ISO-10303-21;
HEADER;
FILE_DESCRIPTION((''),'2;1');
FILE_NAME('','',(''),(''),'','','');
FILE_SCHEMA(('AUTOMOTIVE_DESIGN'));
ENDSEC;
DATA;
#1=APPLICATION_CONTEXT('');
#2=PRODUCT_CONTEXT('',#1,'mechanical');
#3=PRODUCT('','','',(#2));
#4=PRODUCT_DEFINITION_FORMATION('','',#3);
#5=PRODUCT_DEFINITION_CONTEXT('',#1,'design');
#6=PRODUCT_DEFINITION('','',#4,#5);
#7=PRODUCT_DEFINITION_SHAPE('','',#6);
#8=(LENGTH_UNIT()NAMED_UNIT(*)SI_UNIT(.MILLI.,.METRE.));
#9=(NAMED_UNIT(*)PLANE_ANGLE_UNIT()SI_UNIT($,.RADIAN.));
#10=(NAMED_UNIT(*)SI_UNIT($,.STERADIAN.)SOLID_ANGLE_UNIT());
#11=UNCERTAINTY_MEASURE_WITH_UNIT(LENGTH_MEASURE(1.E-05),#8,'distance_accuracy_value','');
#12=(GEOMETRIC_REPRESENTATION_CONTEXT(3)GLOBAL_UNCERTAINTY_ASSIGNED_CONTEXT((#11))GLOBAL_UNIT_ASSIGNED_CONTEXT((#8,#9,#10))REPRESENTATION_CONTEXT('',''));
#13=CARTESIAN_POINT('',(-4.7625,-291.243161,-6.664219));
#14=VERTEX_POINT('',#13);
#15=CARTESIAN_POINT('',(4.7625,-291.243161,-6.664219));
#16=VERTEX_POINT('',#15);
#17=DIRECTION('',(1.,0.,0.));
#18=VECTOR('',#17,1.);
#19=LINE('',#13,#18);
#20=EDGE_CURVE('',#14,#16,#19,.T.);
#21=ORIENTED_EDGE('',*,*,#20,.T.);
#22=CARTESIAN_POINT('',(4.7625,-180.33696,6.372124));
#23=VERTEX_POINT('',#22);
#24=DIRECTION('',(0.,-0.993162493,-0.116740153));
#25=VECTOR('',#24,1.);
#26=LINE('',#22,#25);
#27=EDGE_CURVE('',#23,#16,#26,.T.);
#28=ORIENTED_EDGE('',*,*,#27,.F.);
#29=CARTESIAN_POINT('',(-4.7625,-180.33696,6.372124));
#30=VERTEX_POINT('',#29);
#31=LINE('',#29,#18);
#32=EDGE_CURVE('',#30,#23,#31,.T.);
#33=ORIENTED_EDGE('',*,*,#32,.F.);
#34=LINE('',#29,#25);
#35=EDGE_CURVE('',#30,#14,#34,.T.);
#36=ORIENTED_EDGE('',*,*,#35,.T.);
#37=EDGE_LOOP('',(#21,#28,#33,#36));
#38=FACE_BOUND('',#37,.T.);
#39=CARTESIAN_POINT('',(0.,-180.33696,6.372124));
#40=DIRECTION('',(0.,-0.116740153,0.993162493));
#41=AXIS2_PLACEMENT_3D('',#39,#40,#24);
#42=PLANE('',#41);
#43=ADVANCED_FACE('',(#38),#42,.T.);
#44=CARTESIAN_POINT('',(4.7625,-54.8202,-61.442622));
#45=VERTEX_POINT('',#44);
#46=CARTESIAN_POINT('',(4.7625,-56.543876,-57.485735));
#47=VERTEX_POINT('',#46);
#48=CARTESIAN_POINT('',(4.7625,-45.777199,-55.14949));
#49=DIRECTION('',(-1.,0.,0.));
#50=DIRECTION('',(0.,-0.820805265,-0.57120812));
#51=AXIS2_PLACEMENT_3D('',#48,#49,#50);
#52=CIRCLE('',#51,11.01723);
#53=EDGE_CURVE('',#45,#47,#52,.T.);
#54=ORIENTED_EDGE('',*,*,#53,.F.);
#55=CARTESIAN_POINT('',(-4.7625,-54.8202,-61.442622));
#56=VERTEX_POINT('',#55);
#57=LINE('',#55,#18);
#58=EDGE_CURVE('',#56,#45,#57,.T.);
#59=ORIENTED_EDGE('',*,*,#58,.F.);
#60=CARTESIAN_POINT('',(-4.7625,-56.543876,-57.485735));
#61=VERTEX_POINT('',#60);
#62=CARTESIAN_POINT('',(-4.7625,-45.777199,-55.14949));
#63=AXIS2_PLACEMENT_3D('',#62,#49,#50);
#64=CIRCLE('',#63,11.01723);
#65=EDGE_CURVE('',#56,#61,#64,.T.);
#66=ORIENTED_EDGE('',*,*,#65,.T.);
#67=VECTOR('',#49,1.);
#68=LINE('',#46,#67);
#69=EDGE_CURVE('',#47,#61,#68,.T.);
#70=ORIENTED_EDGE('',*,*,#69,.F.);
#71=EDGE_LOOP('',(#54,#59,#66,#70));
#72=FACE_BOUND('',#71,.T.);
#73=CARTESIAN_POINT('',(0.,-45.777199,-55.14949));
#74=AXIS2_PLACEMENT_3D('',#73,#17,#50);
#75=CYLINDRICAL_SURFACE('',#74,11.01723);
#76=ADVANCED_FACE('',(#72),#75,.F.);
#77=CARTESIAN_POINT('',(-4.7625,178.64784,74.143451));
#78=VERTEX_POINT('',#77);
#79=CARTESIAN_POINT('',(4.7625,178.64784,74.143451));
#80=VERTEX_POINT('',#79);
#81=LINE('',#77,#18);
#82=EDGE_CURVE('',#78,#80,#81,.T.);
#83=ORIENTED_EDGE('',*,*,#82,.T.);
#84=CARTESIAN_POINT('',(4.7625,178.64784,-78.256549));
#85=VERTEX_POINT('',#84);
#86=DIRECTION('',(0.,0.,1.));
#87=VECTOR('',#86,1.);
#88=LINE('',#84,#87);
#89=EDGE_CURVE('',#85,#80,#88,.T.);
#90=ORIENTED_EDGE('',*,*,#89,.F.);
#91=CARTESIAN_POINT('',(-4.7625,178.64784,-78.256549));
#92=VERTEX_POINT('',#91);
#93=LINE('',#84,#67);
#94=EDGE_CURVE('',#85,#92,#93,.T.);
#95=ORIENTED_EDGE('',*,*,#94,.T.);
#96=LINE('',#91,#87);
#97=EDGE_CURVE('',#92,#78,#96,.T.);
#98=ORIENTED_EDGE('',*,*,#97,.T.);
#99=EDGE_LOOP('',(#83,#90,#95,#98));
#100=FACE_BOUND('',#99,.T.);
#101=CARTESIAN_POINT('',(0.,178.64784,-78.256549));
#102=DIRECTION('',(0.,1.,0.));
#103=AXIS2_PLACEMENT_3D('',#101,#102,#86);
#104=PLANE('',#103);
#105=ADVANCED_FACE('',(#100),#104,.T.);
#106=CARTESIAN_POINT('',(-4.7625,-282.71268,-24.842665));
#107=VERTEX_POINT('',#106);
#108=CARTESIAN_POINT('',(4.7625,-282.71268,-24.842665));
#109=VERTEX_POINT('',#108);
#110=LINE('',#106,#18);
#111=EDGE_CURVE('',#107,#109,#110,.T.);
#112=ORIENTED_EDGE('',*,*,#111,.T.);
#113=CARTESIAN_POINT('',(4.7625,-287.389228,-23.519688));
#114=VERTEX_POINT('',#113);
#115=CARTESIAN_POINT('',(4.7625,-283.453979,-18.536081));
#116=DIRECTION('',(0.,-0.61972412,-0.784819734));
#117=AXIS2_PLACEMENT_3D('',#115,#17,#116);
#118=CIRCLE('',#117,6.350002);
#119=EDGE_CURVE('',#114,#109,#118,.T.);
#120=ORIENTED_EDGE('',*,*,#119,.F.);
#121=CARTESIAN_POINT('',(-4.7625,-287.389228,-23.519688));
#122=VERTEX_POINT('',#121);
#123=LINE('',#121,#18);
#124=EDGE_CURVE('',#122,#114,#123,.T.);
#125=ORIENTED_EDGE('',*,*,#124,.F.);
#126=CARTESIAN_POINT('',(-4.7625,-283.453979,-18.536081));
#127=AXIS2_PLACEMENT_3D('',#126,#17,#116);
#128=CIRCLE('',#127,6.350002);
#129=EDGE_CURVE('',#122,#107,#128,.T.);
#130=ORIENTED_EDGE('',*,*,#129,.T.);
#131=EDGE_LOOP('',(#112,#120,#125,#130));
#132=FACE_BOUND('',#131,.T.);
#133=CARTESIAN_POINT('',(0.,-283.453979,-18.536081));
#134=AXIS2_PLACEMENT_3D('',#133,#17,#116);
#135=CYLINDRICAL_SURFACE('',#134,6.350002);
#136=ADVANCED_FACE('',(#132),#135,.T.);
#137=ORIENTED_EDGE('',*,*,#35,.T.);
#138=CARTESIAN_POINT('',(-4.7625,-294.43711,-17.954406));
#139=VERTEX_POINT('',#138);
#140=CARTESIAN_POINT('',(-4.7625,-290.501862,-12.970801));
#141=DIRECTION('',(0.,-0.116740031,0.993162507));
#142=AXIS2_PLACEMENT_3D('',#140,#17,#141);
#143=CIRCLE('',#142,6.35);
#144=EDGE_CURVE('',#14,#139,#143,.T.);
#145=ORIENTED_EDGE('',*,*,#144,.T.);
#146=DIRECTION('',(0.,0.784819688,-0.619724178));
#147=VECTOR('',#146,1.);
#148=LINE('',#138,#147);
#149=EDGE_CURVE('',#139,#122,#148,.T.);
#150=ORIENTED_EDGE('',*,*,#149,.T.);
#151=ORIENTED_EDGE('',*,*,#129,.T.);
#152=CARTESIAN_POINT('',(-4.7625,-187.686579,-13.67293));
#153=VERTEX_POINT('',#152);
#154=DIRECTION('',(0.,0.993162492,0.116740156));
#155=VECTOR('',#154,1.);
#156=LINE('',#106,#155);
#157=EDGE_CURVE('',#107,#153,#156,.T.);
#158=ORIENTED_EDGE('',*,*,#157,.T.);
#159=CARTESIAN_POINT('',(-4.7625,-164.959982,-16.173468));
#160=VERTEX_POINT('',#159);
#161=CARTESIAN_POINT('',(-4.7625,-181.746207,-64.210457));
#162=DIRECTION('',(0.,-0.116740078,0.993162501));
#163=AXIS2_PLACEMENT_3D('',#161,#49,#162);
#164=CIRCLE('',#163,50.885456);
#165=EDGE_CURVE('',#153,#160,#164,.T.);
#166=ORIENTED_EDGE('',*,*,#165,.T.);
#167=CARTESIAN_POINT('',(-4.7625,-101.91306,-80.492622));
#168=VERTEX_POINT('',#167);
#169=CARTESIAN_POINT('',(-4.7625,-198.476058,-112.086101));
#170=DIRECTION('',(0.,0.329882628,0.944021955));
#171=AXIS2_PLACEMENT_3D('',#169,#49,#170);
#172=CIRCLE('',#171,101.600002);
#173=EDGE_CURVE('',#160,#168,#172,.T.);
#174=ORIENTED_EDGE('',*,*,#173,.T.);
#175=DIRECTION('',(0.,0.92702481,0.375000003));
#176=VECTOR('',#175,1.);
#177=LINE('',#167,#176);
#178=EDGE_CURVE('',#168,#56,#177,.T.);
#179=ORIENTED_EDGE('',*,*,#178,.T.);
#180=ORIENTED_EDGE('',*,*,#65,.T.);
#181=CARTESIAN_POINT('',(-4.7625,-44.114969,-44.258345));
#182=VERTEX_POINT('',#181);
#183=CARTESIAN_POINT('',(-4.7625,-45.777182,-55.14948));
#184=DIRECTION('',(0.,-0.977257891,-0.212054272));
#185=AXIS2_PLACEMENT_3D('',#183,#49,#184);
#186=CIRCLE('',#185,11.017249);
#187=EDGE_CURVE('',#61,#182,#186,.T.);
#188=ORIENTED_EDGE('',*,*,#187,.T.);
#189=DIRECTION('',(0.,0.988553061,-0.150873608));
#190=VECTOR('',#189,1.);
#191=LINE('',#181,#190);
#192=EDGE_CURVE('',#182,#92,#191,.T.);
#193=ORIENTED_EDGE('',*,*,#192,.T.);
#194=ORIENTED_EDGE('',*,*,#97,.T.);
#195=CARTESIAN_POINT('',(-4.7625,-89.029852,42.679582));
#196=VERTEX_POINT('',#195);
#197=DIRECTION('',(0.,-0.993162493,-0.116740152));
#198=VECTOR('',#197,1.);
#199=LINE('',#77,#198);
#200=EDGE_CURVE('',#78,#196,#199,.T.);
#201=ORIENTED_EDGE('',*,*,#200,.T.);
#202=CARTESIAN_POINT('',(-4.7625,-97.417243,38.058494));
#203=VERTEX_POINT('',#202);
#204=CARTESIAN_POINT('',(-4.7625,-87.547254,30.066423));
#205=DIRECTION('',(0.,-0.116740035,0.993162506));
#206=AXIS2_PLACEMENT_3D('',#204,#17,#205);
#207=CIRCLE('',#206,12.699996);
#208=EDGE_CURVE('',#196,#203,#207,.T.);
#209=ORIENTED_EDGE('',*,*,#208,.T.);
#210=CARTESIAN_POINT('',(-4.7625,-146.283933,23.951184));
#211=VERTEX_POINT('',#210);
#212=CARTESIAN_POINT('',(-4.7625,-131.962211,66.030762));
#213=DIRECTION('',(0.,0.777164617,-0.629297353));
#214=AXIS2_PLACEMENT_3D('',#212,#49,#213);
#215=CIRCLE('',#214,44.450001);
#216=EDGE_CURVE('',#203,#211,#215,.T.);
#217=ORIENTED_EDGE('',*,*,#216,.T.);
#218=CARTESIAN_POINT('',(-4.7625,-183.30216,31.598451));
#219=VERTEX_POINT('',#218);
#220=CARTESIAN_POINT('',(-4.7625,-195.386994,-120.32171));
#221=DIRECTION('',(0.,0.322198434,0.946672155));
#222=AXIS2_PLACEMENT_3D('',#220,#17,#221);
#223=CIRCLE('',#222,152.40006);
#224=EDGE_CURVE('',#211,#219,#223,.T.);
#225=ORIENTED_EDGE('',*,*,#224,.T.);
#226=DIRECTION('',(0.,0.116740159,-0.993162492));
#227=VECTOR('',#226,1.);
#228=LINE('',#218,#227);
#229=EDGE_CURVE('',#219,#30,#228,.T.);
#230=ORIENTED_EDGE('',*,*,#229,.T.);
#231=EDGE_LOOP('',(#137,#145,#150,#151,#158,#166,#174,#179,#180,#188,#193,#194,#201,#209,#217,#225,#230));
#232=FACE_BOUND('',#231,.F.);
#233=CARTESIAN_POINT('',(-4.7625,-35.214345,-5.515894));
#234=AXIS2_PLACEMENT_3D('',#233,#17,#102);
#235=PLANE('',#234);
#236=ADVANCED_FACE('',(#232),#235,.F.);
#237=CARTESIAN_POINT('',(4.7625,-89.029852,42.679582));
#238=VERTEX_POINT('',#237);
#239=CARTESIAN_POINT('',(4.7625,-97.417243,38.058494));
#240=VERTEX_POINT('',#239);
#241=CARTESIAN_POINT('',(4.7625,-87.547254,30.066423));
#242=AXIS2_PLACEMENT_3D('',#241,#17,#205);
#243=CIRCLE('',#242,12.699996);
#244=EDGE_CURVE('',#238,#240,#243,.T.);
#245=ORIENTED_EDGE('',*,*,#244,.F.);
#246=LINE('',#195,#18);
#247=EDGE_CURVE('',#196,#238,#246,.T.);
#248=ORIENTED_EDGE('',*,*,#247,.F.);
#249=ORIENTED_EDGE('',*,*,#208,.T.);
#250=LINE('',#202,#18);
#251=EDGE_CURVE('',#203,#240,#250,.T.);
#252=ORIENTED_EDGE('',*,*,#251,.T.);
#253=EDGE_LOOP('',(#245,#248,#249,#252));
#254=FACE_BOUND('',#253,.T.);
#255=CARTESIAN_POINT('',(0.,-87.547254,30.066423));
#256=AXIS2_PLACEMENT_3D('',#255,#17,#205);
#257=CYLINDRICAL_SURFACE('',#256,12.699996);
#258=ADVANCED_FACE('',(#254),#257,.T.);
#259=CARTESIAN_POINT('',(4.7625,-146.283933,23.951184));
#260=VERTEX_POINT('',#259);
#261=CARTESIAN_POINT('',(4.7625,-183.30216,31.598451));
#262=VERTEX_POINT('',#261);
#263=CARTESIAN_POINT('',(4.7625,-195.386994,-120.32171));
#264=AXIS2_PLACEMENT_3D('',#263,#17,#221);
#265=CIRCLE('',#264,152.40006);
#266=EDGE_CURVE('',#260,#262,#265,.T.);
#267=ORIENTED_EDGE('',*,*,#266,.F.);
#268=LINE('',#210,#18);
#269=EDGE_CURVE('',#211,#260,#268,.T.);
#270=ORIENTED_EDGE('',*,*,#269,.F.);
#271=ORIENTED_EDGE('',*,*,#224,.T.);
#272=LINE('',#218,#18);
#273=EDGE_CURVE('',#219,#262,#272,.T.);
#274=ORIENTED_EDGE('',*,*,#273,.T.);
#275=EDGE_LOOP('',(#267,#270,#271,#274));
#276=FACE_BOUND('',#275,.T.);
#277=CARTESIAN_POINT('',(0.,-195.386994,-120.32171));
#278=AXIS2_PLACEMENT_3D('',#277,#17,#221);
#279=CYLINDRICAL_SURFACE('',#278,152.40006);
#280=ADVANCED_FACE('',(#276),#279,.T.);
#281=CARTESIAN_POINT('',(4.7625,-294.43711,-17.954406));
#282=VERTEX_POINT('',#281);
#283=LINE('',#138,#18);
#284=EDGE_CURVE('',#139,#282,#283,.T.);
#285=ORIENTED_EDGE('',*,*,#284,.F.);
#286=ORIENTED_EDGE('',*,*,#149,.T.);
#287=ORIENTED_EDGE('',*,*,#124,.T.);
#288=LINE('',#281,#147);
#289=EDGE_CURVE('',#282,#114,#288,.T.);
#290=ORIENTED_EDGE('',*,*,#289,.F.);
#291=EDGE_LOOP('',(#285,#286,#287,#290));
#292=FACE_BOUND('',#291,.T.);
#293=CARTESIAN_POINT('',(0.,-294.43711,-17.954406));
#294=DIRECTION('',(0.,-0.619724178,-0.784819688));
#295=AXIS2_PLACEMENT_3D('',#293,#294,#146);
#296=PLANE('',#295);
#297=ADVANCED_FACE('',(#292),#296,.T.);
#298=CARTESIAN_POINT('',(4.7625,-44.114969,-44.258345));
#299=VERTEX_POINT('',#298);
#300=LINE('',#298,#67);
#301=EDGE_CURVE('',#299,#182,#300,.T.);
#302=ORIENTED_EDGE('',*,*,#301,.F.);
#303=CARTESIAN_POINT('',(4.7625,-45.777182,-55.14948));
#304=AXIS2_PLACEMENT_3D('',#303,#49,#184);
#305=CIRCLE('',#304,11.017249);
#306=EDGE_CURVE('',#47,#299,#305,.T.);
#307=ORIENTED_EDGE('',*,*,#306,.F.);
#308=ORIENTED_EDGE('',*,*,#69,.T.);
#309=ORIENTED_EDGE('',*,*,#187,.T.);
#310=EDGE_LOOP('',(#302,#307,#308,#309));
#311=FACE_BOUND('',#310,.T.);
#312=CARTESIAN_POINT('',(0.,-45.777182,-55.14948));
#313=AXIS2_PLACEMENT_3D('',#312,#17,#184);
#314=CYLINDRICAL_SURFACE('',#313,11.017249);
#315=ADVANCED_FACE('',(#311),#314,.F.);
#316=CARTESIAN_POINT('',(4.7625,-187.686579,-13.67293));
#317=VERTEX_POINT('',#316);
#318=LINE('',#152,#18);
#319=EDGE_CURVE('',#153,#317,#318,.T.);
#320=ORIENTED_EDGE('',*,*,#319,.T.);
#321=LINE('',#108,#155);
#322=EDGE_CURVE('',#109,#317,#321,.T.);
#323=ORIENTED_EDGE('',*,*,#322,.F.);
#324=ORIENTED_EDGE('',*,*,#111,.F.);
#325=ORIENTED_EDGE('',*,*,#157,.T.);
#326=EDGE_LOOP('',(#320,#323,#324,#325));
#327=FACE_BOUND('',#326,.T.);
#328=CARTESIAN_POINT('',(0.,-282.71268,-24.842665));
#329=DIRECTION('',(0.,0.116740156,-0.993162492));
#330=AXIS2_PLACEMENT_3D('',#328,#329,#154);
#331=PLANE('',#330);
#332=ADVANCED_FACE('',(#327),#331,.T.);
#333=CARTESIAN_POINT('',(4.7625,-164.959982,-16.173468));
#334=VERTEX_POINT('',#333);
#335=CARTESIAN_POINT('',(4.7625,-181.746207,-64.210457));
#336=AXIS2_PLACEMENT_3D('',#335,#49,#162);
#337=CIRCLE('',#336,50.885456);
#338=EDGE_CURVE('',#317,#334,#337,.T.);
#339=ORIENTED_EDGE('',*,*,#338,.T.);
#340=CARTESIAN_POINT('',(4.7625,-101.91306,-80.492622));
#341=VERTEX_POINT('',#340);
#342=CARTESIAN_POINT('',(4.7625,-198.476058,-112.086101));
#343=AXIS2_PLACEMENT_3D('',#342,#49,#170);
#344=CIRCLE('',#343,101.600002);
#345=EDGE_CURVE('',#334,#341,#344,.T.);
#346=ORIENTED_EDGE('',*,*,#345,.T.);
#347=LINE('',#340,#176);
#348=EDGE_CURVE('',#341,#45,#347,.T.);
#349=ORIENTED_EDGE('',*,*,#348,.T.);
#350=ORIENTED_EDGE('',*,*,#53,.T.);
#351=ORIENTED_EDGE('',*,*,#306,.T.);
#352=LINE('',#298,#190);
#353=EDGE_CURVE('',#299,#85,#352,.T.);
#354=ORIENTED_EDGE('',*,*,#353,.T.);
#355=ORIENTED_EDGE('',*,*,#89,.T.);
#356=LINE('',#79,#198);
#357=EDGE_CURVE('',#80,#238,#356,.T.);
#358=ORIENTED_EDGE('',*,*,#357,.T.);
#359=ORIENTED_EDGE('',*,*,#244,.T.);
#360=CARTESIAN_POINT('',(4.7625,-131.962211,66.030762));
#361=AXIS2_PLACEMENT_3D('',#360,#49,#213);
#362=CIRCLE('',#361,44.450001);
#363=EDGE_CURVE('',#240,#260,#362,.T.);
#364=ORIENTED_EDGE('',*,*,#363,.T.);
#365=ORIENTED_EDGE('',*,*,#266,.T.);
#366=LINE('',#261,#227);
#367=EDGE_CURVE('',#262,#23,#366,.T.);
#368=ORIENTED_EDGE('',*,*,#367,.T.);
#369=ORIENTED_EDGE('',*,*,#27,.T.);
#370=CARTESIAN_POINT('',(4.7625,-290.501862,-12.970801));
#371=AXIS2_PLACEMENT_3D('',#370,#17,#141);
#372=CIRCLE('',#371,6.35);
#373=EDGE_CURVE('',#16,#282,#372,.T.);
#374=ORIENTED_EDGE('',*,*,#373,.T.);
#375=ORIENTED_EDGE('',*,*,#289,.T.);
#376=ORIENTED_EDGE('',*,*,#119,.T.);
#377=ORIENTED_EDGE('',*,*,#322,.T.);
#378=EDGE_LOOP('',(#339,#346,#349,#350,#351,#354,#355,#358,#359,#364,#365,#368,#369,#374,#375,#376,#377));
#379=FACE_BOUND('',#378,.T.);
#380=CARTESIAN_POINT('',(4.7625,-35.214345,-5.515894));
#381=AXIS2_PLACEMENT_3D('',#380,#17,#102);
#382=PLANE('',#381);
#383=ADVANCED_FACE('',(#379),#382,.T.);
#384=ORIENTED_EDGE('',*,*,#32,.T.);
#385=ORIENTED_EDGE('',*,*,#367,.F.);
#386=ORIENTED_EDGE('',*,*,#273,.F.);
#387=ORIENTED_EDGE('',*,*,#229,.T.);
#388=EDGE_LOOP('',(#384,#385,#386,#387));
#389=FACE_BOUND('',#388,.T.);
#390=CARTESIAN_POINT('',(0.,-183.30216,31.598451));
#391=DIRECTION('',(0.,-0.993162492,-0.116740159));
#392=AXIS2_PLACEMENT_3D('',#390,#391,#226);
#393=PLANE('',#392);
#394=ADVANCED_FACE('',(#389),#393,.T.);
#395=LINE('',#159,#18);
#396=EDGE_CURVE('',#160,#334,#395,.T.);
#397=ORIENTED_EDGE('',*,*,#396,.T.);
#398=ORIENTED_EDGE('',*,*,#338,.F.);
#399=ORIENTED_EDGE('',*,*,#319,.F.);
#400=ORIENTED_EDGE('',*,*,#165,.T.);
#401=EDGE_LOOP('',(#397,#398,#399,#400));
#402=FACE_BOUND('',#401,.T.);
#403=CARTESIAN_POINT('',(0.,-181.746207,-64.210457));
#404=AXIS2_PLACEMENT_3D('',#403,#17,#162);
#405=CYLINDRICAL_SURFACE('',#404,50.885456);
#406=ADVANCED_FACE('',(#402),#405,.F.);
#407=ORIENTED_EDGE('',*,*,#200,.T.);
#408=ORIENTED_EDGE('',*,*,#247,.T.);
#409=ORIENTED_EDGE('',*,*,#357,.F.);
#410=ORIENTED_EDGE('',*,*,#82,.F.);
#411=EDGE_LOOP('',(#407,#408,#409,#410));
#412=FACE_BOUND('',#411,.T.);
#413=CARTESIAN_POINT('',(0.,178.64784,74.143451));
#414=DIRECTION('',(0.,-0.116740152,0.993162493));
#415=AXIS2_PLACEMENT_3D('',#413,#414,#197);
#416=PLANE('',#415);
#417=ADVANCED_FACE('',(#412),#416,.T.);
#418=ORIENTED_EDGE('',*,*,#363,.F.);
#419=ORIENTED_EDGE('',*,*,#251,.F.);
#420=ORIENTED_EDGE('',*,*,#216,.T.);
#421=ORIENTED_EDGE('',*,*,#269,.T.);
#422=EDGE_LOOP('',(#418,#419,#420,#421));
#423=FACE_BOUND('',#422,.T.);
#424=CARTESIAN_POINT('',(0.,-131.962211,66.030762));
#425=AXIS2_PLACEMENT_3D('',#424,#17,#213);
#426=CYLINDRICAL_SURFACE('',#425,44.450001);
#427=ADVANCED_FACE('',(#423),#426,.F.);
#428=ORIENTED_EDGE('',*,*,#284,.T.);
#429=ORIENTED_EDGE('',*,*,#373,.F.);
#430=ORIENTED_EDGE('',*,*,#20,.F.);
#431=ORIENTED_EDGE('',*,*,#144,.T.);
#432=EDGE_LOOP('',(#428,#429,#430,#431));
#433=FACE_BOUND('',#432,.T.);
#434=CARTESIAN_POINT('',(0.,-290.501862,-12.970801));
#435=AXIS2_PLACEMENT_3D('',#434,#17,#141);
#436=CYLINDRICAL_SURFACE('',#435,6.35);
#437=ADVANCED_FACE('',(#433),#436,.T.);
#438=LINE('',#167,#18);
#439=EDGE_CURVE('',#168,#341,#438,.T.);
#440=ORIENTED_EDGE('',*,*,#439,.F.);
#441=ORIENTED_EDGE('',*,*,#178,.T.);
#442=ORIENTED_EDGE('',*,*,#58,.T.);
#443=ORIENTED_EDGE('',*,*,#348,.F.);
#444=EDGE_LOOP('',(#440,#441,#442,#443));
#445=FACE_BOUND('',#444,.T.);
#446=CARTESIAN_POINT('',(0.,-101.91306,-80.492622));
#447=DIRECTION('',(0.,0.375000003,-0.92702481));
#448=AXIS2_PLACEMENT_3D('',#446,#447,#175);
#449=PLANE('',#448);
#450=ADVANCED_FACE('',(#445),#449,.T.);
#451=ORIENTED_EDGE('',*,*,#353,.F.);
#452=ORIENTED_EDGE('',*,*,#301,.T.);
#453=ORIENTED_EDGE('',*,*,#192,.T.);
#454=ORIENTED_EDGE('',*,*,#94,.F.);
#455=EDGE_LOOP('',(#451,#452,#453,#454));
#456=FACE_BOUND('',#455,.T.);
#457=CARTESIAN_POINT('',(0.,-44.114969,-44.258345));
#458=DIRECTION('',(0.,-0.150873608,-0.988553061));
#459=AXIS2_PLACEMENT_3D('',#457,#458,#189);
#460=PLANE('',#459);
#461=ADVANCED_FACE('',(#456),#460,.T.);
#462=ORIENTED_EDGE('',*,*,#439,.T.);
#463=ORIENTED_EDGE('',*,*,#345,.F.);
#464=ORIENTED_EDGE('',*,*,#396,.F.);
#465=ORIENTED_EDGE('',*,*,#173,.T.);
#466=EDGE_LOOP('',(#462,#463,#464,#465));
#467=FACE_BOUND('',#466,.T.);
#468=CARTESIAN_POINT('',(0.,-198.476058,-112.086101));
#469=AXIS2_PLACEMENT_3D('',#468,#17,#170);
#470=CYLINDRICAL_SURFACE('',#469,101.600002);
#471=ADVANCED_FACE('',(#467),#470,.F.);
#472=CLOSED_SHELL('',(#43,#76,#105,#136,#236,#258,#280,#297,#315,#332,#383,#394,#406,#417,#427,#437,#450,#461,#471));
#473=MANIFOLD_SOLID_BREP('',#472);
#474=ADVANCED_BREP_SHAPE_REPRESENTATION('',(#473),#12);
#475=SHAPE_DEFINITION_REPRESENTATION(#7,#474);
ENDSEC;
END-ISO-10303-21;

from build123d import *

# Parameters (mm, degrees)
F1_DEPTH = 4.7625


with BuildPart() as f1:
    # F0 (on Right) → F1 (new body, symmetric)
    with BuildSketch(Plane.YZ):
        with BuildLine():
            Line((178.64784, -78.256549), (178.64784, 74.143451))
            Line((178.64784, 74.143451), (-89.029852, 42.679582))
            ThreePointArc((-89.029852, 42.679582), (-93.675787, 41.189865), (-97.417243, 38.058494))
            ThreePointArc((-97.417243, 38.058494), (-119.633425, 23.324748), (-146.283933, 23.951184))
            ThreePointArc((-146.283933, 23.951184), (-164.555034, 28.926971), (-183.30216, 31.598451))
            Line((-183.30216, 31.598451), (-180.33696, 6.372124))
            Line((-180.33696, 6.372124), (-291.243161, -6.664219))
            ThreePointArc((-291.243161, -6.664219), (-296.612067, -11.242249), (-294.43711, -17.954406))
            Line((-294.43711, -17.954406), (-287.389228, -23.519688))
            ThreePointArc((-287.389228, -23.519688), (-285.182532, -24.646288), (-282.71268, -24.842665))
            Line((-282.71268, -24.842665), (-187.686579, -13.67293))
            ThreePointArc((-187.686579, -13.67293), (-176.18102, -13.63024), (-164.959982, -16.173468))
            ThreePointArc((-164.959982, -16.173468), (-125.920012, -40.965213), (-101.91306, -80.492622))
            Line((-101.91306, -80.492622), (-54.8202, -61.442622))
            ThreePointArc((-54.8202, -61.442622), (-55.877698, -59.54941), (-56.543876, -57.485735))
            ThreePointArc((-56.543876, -57.485735), (-53.806121, -47.605216), (-44.114969, -44.258345))
            Line((-44.114969, -44.258345), (178.64784, -78.256549))
        make_face()
    extrude(amount=F1_DEPTH, both=True)


solid = f1.part
